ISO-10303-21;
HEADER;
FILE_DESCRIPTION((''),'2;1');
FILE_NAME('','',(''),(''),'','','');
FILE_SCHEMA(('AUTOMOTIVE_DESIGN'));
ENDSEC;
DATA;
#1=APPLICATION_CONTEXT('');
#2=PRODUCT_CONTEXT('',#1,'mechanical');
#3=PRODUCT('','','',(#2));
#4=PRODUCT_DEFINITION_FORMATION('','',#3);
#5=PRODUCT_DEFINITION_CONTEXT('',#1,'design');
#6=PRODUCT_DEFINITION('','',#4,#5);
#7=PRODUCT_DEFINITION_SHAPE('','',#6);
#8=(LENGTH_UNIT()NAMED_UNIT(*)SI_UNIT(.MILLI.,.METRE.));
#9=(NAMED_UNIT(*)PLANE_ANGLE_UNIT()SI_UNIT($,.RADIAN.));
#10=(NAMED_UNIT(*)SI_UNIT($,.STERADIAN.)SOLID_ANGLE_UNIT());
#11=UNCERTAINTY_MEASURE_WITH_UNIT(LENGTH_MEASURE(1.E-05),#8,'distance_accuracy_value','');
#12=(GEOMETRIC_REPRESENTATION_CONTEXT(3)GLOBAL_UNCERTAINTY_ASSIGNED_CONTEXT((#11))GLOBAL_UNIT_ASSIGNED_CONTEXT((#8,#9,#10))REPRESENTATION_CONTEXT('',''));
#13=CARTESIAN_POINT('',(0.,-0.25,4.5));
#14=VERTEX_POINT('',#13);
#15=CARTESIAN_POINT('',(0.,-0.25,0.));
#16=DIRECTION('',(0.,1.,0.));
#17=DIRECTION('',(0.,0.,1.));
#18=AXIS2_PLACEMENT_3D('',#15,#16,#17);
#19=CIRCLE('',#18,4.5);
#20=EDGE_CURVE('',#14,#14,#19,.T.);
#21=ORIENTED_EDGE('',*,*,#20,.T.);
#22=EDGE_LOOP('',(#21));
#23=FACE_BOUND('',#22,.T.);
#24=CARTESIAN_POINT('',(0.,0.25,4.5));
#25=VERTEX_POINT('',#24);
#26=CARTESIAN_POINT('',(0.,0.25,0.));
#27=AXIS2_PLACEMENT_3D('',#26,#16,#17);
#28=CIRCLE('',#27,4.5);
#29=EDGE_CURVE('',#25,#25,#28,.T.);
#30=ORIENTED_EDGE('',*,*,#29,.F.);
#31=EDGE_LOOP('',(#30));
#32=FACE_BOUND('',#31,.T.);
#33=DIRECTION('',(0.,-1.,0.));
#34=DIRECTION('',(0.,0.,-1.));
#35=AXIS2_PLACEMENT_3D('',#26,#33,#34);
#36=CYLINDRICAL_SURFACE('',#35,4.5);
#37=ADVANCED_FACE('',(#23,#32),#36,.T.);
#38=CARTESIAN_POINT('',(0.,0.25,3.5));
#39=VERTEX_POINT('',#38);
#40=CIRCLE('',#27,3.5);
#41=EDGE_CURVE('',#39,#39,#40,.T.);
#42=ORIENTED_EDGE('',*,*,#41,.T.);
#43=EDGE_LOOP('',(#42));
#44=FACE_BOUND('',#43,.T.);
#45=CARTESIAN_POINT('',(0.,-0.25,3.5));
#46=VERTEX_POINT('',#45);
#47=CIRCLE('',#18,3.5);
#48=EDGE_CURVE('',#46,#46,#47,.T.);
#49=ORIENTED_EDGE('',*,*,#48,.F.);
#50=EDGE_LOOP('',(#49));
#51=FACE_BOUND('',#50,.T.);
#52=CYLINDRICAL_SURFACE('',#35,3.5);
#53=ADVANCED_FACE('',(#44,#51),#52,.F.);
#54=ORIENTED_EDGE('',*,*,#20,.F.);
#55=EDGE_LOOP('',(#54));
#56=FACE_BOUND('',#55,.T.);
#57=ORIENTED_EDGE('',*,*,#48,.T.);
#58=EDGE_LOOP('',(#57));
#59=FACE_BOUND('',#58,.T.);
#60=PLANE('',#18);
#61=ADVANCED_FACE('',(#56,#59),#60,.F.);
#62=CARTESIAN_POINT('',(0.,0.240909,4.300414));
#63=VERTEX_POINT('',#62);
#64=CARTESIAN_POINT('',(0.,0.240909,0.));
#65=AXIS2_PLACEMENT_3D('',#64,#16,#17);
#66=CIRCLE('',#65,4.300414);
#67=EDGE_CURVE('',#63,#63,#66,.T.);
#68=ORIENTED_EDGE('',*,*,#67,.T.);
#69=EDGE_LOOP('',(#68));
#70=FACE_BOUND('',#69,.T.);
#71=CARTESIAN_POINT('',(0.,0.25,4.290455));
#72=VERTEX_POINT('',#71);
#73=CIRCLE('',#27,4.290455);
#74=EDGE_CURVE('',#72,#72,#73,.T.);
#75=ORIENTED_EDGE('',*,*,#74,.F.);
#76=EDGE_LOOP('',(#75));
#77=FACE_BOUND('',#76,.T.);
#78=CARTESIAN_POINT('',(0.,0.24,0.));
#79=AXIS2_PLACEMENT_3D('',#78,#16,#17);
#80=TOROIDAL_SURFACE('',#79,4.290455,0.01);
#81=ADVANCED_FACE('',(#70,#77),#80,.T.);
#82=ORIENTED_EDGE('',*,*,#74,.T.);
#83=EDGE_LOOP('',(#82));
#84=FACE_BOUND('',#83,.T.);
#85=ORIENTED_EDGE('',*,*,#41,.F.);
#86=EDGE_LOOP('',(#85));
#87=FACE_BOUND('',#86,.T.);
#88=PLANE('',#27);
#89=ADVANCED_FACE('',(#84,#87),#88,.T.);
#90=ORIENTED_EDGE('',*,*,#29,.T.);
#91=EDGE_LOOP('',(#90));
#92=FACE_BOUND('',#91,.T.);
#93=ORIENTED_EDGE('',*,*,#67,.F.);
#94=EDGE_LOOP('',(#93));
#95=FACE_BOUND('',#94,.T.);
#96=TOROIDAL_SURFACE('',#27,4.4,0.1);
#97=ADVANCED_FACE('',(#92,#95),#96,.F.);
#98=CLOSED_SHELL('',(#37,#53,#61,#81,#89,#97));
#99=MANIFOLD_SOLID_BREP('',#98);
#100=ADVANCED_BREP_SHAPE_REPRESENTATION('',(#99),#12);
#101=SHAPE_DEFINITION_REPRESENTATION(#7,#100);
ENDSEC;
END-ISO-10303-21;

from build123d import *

# Parameters (mm, degrees)
TOP_SKETCH_R   = 4.5
TOP_SKETCH_R_2 = 3.5
TOP_DEPTH      = 0.25


with BuildPart() as part:
    # Top Sketch → Top (new, symmetric)
    with BuildSketch(Plane(origin=(0, 0, 0), x_dir=(1, 0, 0), z_dir=(0, 1, 0))):
        with Locations(Location((0, 0, 0), (0, 0, 270))):
            Circle(TOP_SKETCH_R)
        with Locations(Location((0, 0, 0), (0, 0, 270))):
            Circle(TOP_SKETCH_R_2, mode=Mode.SUBTRACT)
    extrude(amount=TOP_DEPTH, both=True)

    # Crimp Sketch → Crimp (revolve, cut)
    with BuildSketch(Plane.XY, mode=Mode.PRIVATE) as crimp_sk:
        with BuildLine():
            Line((-4.5, 0.25), (-4.290455488, 0.25))
            ThreePointArc((-4.290455488, 0.25), (-4.297197487, 0.247385489), (-4.30041408, 0.240909091))
            ThreePointArc((-4.30041408, 0.240909091), (-4.404550167, 0.150103574), (-4.5, 0.25))
        make_face()
    revolve(crimp_sk.sketch.rotate(Axis((0, 0.25, 0), (0, -1, 0)), 270), axis=Axis((0, 0.25, 0), (0, -1, 0)), mode=Mode.SUBTRACT)


solid = part.part
